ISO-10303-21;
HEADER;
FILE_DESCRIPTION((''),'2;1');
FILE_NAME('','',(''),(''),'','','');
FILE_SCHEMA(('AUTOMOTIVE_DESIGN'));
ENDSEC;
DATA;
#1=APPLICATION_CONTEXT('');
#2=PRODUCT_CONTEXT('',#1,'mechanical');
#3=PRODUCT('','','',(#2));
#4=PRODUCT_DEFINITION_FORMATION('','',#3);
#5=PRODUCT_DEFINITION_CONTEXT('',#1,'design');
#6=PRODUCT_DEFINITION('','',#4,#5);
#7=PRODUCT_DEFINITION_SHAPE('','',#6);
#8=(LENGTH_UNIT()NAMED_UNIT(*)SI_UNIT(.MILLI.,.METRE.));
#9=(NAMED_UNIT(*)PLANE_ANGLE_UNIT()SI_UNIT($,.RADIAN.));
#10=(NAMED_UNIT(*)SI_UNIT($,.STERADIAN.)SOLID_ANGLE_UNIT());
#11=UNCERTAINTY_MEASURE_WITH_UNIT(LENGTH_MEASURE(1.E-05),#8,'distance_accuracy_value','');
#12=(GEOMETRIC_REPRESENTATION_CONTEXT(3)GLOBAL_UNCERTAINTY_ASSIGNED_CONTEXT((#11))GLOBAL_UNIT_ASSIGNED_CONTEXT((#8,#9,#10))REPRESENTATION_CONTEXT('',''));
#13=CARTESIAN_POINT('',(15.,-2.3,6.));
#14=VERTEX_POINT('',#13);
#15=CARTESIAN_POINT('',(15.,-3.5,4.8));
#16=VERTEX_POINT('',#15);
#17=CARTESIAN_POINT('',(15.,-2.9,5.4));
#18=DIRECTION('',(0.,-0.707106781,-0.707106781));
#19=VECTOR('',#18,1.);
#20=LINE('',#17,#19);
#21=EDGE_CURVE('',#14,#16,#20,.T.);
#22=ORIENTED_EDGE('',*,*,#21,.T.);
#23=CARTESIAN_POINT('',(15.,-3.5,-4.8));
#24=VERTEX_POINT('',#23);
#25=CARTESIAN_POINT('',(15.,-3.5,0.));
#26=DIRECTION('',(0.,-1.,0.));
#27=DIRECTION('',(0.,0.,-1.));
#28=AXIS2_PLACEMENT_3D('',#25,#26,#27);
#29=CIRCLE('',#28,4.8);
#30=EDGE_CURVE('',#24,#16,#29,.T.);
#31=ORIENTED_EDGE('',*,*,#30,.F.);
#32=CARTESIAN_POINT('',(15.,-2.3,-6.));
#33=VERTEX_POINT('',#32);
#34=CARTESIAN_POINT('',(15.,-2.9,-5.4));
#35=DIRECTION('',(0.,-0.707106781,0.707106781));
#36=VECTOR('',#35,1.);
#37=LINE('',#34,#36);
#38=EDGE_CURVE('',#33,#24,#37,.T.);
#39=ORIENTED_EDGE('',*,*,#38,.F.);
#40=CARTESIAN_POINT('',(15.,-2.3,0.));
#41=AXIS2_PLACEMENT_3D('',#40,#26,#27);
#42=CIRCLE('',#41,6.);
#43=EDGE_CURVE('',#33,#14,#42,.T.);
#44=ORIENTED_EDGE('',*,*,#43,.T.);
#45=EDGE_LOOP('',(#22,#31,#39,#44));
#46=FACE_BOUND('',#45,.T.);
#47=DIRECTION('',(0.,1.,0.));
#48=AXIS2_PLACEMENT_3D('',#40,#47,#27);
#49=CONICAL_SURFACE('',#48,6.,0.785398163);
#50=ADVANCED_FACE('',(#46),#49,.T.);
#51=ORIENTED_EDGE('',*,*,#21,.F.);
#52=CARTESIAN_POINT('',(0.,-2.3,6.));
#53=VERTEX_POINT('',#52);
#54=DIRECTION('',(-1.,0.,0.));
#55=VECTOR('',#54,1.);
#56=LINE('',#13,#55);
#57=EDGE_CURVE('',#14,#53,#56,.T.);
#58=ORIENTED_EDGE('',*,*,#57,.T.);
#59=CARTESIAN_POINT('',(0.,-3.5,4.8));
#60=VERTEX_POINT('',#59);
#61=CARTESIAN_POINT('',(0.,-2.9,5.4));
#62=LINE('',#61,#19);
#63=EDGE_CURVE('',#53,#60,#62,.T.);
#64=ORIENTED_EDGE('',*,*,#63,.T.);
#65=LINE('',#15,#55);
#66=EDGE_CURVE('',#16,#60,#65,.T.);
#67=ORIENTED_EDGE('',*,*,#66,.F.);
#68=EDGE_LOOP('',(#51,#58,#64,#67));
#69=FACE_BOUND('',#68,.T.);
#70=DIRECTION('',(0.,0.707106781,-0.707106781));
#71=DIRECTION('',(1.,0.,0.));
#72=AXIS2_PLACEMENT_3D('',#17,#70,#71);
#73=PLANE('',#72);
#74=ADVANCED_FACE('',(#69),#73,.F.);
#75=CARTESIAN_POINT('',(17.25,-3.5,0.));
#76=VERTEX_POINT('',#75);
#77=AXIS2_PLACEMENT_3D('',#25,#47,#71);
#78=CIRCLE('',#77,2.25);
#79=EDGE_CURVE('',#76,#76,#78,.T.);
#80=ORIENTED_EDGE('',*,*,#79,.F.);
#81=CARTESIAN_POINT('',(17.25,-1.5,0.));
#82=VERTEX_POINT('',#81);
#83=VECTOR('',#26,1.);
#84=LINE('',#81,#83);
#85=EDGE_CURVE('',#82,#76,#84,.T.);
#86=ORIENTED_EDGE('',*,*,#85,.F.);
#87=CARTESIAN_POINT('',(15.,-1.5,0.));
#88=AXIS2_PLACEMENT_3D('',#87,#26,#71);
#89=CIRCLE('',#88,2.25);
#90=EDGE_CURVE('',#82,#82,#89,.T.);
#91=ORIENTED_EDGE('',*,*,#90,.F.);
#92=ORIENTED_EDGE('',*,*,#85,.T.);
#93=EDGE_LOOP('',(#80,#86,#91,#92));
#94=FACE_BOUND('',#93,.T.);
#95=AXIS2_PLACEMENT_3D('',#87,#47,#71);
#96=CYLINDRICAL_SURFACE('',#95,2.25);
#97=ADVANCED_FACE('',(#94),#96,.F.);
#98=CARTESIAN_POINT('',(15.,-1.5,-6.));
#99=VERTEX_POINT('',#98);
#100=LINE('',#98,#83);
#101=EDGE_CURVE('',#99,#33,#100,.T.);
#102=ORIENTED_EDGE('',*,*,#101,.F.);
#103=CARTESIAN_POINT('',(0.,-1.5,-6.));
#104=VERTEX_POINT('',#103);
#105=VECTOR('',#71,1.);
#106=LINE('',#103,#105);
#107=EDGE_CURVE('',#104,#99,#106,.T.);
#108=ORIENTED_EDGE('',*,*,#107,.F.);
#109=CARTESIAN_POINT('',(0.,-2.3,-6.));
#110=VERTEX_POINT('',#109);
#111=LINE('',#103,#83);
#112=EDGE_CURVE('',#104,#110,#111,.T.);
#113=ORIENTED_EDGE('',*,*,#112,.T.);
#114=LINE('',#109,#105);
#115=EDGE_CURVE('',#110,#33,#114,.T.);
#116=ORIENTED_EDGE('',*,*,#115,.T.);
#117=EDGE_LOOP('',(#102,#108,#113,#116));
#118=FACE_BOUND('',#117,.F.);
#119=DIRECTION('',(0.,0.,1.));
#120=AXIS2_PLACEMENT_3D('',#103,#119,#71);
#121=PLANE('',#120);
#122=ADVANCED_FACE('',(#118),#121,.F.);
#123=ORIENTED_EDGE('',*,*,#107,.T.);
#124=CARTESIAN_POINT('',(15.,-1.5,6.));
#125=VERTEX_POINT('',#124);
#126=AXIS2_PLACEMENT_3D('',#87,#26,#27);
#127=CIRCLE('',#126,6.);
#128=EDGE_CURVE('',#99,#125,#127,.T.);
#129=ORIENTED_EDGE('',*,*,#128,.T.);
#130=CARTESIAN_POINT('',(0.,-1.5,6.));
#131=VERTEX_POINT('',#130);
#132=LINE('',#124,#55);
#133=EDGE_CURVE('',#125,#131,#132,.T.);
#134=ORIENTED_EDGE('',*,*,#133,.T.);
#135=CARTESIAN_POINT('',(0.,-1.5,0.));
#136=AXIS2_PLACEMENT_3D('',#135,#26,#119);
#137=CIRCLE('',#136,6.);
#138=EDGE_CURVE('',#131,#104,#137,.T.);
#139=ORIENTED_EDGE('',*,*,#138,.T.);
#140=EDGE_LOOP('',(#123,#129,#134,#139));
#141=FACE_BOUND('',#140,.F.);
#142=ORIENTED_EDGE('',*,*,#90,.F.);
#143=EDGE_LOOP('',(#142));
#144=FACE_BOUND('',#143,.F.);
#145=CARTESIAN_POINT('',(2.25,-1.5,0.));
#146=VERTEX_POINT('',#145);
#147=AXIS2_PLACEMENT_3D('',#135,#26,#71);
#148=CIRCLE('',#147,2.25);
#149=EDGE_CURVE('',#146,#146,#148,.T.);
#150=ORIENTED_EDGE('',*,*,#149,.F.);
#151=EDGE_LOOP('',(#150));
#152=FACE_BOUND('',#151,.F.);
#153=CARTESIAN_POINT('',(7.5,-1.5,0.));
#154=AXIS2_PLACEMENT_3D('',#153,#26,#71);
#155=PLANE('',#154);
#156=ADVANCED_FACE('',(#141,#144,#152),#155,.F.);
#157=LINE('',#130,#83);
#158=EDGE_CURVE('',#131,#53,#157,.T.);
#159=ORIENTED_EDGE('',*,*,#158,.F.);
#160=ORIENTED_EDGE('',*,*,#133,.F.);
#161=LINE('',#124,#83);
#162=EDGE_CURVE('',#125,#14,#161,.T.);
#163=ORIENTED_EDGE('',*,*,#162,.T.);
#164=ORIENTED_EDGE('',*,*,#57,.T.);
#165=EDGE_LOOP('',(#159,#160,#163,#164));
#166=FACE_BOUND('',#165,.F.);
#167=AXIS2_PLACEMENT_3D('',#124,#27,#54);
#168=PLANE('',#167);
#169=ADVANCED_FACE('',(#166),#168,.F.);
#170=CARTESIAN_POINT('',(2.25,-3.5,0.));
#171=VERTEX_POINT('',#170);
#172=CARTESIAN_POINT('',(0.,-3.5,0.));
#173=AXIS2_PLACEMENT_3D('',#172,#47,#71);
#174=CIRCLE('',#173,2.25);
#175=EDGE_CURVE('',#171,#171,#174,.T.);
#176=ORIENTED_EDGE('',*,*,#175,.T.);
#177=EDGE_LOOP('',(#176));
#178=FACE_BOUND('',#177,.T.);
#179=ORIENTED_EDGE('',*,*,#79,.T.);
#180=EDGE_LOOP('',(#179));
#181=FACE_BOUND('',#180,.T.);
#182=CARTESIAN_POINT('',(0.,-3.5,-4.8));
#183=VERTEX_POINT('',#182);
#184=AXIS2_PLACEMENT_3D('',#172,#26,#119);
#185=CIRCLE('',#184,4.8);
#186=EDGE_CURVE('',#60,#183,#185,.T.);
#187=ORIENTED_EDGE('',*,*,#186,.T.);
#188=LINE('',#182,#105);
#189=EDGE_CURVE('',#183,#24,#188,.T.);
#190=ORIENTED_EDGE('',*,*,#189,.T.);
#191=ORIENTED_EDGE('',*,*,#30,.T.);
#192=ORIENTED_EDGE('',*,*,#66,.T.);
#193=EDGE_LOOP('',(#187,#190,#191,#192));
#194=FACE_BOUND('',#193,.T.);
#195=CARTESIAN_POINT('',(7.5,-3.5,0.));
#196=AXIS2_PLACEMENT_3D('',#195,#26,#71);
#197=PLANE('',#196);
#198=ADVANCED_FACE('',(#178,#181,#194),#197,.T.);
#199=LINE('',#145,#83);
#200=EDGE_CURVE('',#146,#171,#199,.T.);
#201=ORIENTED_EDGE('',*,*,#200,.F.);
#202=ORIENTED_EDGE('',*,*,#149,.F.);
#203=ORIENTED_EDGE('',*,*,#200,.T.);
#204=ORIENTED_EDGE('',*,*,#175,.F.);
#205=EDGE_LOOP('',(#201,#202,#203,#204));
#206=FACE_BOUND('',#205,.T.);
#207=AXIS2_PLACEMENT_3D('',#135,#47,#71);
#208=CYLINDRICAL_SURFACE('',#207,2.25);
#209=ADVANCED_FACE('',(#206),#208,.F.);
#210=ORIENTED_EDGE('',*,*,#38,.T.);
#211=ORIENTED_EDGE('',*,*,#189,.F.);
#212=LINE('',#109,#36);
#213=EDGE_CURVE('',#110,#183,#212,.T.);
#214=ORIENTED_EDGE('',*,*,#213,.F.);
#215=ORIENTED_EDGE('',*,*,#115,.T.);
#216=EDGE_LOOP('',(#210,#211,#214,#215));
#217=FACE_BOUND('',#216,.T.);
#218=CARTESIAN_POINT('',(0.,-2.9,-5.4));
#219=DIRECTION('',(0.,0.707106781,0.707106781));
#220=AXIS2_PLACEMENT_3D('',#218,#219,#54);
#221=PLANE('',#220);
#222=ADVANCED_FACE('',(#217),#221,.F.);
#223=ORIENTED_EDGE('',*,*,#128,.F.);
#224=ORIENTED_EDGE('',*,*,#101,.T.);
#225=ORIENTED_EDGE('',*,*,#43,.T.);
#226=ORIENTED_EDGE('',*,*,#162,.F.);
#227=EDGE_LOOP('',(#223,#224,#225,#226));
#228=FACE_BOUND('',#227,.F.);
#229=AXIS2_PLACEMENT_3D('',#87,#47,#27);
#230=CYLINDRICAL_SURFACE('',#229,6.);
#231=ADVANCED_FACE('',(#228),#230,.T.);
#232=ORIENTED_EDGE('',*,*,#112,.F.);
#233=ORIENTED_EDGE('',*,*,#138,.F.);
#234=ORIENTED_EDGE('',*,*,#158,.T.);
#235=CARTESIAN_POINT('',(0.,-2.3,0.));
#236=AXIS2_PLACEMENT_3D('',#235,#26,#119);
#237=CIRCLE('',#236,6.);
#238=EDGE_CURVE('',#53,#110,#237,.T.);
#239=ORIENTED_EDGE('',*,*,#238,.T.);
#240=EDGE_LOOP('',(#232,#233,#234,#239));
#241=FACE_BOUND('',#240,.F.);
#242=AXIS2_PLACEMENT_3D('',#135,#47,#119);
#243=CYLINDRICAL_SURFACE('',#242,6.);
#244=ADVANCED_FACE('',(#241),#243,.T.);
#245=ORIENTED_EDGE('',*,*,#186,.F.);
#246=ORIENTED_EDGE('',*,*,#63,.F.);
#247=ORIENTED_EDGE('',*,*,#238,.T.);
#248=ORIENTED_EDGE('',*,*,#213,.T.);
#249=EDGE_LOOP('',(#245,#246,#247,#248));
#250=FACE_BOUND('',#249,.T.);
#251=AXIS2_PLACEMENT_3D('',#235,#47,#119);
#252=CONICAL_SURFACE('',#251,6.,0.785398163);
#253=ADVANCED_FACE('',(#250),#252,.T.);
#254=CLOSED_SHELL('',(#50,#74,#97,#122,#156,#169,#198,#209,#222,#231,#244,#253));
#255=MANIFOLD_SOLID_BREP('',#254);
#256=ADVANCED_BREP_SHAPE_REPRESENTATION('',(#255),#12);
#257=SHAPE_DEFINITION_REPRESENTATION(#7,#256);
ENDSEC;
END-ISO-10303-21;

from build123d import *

# Parameters (mm, degrees)
PAD001_DEPTH    = 2
CHAMFER001_SIZE = 1.2
SKETCH005_R     = 2.25
HOLE001_DEPTH   = 25


with BuildPart() as part:
    # Sketch004 → Pad001 (new body)
    with BuildSketch(Plane.XZ):
        with BuildLine():
            ThreePointArc((0, 6), (-6, 0), (0, -6))
            Line((0, -6), (15, -6))
            ThreePointArc((15, -6), (21, 0), (15, 6))
            Line((15, 6), (0, 6))
        make_face()
    extrude(amount=PAD001_DEPTH)

    # Chamfer001
    chamfer001_edges = [part.edges().sort_by_distance(p)[0] for p in [
        (7.5, -2, 6),
    ]]
    chamfer(chamfer001_edges, length=CHAMFER001_SIZE)

    # Sketch005 → Hole001 (cut)
    with BuildSketch(Plane.XZ):
        Circle(SKETCH005_R)
        with Locations((15, 0)):
            Circle(SKETCH005_R)
    extrude(amount=HOLE001_DEPTH, mode=Mode.SUBTRACT)


with BuildPart() as part_1:
    # Body001 placement: moved
    add(part.part.moved(Location((0, -1.5, 0))))


solid = part_1.part
